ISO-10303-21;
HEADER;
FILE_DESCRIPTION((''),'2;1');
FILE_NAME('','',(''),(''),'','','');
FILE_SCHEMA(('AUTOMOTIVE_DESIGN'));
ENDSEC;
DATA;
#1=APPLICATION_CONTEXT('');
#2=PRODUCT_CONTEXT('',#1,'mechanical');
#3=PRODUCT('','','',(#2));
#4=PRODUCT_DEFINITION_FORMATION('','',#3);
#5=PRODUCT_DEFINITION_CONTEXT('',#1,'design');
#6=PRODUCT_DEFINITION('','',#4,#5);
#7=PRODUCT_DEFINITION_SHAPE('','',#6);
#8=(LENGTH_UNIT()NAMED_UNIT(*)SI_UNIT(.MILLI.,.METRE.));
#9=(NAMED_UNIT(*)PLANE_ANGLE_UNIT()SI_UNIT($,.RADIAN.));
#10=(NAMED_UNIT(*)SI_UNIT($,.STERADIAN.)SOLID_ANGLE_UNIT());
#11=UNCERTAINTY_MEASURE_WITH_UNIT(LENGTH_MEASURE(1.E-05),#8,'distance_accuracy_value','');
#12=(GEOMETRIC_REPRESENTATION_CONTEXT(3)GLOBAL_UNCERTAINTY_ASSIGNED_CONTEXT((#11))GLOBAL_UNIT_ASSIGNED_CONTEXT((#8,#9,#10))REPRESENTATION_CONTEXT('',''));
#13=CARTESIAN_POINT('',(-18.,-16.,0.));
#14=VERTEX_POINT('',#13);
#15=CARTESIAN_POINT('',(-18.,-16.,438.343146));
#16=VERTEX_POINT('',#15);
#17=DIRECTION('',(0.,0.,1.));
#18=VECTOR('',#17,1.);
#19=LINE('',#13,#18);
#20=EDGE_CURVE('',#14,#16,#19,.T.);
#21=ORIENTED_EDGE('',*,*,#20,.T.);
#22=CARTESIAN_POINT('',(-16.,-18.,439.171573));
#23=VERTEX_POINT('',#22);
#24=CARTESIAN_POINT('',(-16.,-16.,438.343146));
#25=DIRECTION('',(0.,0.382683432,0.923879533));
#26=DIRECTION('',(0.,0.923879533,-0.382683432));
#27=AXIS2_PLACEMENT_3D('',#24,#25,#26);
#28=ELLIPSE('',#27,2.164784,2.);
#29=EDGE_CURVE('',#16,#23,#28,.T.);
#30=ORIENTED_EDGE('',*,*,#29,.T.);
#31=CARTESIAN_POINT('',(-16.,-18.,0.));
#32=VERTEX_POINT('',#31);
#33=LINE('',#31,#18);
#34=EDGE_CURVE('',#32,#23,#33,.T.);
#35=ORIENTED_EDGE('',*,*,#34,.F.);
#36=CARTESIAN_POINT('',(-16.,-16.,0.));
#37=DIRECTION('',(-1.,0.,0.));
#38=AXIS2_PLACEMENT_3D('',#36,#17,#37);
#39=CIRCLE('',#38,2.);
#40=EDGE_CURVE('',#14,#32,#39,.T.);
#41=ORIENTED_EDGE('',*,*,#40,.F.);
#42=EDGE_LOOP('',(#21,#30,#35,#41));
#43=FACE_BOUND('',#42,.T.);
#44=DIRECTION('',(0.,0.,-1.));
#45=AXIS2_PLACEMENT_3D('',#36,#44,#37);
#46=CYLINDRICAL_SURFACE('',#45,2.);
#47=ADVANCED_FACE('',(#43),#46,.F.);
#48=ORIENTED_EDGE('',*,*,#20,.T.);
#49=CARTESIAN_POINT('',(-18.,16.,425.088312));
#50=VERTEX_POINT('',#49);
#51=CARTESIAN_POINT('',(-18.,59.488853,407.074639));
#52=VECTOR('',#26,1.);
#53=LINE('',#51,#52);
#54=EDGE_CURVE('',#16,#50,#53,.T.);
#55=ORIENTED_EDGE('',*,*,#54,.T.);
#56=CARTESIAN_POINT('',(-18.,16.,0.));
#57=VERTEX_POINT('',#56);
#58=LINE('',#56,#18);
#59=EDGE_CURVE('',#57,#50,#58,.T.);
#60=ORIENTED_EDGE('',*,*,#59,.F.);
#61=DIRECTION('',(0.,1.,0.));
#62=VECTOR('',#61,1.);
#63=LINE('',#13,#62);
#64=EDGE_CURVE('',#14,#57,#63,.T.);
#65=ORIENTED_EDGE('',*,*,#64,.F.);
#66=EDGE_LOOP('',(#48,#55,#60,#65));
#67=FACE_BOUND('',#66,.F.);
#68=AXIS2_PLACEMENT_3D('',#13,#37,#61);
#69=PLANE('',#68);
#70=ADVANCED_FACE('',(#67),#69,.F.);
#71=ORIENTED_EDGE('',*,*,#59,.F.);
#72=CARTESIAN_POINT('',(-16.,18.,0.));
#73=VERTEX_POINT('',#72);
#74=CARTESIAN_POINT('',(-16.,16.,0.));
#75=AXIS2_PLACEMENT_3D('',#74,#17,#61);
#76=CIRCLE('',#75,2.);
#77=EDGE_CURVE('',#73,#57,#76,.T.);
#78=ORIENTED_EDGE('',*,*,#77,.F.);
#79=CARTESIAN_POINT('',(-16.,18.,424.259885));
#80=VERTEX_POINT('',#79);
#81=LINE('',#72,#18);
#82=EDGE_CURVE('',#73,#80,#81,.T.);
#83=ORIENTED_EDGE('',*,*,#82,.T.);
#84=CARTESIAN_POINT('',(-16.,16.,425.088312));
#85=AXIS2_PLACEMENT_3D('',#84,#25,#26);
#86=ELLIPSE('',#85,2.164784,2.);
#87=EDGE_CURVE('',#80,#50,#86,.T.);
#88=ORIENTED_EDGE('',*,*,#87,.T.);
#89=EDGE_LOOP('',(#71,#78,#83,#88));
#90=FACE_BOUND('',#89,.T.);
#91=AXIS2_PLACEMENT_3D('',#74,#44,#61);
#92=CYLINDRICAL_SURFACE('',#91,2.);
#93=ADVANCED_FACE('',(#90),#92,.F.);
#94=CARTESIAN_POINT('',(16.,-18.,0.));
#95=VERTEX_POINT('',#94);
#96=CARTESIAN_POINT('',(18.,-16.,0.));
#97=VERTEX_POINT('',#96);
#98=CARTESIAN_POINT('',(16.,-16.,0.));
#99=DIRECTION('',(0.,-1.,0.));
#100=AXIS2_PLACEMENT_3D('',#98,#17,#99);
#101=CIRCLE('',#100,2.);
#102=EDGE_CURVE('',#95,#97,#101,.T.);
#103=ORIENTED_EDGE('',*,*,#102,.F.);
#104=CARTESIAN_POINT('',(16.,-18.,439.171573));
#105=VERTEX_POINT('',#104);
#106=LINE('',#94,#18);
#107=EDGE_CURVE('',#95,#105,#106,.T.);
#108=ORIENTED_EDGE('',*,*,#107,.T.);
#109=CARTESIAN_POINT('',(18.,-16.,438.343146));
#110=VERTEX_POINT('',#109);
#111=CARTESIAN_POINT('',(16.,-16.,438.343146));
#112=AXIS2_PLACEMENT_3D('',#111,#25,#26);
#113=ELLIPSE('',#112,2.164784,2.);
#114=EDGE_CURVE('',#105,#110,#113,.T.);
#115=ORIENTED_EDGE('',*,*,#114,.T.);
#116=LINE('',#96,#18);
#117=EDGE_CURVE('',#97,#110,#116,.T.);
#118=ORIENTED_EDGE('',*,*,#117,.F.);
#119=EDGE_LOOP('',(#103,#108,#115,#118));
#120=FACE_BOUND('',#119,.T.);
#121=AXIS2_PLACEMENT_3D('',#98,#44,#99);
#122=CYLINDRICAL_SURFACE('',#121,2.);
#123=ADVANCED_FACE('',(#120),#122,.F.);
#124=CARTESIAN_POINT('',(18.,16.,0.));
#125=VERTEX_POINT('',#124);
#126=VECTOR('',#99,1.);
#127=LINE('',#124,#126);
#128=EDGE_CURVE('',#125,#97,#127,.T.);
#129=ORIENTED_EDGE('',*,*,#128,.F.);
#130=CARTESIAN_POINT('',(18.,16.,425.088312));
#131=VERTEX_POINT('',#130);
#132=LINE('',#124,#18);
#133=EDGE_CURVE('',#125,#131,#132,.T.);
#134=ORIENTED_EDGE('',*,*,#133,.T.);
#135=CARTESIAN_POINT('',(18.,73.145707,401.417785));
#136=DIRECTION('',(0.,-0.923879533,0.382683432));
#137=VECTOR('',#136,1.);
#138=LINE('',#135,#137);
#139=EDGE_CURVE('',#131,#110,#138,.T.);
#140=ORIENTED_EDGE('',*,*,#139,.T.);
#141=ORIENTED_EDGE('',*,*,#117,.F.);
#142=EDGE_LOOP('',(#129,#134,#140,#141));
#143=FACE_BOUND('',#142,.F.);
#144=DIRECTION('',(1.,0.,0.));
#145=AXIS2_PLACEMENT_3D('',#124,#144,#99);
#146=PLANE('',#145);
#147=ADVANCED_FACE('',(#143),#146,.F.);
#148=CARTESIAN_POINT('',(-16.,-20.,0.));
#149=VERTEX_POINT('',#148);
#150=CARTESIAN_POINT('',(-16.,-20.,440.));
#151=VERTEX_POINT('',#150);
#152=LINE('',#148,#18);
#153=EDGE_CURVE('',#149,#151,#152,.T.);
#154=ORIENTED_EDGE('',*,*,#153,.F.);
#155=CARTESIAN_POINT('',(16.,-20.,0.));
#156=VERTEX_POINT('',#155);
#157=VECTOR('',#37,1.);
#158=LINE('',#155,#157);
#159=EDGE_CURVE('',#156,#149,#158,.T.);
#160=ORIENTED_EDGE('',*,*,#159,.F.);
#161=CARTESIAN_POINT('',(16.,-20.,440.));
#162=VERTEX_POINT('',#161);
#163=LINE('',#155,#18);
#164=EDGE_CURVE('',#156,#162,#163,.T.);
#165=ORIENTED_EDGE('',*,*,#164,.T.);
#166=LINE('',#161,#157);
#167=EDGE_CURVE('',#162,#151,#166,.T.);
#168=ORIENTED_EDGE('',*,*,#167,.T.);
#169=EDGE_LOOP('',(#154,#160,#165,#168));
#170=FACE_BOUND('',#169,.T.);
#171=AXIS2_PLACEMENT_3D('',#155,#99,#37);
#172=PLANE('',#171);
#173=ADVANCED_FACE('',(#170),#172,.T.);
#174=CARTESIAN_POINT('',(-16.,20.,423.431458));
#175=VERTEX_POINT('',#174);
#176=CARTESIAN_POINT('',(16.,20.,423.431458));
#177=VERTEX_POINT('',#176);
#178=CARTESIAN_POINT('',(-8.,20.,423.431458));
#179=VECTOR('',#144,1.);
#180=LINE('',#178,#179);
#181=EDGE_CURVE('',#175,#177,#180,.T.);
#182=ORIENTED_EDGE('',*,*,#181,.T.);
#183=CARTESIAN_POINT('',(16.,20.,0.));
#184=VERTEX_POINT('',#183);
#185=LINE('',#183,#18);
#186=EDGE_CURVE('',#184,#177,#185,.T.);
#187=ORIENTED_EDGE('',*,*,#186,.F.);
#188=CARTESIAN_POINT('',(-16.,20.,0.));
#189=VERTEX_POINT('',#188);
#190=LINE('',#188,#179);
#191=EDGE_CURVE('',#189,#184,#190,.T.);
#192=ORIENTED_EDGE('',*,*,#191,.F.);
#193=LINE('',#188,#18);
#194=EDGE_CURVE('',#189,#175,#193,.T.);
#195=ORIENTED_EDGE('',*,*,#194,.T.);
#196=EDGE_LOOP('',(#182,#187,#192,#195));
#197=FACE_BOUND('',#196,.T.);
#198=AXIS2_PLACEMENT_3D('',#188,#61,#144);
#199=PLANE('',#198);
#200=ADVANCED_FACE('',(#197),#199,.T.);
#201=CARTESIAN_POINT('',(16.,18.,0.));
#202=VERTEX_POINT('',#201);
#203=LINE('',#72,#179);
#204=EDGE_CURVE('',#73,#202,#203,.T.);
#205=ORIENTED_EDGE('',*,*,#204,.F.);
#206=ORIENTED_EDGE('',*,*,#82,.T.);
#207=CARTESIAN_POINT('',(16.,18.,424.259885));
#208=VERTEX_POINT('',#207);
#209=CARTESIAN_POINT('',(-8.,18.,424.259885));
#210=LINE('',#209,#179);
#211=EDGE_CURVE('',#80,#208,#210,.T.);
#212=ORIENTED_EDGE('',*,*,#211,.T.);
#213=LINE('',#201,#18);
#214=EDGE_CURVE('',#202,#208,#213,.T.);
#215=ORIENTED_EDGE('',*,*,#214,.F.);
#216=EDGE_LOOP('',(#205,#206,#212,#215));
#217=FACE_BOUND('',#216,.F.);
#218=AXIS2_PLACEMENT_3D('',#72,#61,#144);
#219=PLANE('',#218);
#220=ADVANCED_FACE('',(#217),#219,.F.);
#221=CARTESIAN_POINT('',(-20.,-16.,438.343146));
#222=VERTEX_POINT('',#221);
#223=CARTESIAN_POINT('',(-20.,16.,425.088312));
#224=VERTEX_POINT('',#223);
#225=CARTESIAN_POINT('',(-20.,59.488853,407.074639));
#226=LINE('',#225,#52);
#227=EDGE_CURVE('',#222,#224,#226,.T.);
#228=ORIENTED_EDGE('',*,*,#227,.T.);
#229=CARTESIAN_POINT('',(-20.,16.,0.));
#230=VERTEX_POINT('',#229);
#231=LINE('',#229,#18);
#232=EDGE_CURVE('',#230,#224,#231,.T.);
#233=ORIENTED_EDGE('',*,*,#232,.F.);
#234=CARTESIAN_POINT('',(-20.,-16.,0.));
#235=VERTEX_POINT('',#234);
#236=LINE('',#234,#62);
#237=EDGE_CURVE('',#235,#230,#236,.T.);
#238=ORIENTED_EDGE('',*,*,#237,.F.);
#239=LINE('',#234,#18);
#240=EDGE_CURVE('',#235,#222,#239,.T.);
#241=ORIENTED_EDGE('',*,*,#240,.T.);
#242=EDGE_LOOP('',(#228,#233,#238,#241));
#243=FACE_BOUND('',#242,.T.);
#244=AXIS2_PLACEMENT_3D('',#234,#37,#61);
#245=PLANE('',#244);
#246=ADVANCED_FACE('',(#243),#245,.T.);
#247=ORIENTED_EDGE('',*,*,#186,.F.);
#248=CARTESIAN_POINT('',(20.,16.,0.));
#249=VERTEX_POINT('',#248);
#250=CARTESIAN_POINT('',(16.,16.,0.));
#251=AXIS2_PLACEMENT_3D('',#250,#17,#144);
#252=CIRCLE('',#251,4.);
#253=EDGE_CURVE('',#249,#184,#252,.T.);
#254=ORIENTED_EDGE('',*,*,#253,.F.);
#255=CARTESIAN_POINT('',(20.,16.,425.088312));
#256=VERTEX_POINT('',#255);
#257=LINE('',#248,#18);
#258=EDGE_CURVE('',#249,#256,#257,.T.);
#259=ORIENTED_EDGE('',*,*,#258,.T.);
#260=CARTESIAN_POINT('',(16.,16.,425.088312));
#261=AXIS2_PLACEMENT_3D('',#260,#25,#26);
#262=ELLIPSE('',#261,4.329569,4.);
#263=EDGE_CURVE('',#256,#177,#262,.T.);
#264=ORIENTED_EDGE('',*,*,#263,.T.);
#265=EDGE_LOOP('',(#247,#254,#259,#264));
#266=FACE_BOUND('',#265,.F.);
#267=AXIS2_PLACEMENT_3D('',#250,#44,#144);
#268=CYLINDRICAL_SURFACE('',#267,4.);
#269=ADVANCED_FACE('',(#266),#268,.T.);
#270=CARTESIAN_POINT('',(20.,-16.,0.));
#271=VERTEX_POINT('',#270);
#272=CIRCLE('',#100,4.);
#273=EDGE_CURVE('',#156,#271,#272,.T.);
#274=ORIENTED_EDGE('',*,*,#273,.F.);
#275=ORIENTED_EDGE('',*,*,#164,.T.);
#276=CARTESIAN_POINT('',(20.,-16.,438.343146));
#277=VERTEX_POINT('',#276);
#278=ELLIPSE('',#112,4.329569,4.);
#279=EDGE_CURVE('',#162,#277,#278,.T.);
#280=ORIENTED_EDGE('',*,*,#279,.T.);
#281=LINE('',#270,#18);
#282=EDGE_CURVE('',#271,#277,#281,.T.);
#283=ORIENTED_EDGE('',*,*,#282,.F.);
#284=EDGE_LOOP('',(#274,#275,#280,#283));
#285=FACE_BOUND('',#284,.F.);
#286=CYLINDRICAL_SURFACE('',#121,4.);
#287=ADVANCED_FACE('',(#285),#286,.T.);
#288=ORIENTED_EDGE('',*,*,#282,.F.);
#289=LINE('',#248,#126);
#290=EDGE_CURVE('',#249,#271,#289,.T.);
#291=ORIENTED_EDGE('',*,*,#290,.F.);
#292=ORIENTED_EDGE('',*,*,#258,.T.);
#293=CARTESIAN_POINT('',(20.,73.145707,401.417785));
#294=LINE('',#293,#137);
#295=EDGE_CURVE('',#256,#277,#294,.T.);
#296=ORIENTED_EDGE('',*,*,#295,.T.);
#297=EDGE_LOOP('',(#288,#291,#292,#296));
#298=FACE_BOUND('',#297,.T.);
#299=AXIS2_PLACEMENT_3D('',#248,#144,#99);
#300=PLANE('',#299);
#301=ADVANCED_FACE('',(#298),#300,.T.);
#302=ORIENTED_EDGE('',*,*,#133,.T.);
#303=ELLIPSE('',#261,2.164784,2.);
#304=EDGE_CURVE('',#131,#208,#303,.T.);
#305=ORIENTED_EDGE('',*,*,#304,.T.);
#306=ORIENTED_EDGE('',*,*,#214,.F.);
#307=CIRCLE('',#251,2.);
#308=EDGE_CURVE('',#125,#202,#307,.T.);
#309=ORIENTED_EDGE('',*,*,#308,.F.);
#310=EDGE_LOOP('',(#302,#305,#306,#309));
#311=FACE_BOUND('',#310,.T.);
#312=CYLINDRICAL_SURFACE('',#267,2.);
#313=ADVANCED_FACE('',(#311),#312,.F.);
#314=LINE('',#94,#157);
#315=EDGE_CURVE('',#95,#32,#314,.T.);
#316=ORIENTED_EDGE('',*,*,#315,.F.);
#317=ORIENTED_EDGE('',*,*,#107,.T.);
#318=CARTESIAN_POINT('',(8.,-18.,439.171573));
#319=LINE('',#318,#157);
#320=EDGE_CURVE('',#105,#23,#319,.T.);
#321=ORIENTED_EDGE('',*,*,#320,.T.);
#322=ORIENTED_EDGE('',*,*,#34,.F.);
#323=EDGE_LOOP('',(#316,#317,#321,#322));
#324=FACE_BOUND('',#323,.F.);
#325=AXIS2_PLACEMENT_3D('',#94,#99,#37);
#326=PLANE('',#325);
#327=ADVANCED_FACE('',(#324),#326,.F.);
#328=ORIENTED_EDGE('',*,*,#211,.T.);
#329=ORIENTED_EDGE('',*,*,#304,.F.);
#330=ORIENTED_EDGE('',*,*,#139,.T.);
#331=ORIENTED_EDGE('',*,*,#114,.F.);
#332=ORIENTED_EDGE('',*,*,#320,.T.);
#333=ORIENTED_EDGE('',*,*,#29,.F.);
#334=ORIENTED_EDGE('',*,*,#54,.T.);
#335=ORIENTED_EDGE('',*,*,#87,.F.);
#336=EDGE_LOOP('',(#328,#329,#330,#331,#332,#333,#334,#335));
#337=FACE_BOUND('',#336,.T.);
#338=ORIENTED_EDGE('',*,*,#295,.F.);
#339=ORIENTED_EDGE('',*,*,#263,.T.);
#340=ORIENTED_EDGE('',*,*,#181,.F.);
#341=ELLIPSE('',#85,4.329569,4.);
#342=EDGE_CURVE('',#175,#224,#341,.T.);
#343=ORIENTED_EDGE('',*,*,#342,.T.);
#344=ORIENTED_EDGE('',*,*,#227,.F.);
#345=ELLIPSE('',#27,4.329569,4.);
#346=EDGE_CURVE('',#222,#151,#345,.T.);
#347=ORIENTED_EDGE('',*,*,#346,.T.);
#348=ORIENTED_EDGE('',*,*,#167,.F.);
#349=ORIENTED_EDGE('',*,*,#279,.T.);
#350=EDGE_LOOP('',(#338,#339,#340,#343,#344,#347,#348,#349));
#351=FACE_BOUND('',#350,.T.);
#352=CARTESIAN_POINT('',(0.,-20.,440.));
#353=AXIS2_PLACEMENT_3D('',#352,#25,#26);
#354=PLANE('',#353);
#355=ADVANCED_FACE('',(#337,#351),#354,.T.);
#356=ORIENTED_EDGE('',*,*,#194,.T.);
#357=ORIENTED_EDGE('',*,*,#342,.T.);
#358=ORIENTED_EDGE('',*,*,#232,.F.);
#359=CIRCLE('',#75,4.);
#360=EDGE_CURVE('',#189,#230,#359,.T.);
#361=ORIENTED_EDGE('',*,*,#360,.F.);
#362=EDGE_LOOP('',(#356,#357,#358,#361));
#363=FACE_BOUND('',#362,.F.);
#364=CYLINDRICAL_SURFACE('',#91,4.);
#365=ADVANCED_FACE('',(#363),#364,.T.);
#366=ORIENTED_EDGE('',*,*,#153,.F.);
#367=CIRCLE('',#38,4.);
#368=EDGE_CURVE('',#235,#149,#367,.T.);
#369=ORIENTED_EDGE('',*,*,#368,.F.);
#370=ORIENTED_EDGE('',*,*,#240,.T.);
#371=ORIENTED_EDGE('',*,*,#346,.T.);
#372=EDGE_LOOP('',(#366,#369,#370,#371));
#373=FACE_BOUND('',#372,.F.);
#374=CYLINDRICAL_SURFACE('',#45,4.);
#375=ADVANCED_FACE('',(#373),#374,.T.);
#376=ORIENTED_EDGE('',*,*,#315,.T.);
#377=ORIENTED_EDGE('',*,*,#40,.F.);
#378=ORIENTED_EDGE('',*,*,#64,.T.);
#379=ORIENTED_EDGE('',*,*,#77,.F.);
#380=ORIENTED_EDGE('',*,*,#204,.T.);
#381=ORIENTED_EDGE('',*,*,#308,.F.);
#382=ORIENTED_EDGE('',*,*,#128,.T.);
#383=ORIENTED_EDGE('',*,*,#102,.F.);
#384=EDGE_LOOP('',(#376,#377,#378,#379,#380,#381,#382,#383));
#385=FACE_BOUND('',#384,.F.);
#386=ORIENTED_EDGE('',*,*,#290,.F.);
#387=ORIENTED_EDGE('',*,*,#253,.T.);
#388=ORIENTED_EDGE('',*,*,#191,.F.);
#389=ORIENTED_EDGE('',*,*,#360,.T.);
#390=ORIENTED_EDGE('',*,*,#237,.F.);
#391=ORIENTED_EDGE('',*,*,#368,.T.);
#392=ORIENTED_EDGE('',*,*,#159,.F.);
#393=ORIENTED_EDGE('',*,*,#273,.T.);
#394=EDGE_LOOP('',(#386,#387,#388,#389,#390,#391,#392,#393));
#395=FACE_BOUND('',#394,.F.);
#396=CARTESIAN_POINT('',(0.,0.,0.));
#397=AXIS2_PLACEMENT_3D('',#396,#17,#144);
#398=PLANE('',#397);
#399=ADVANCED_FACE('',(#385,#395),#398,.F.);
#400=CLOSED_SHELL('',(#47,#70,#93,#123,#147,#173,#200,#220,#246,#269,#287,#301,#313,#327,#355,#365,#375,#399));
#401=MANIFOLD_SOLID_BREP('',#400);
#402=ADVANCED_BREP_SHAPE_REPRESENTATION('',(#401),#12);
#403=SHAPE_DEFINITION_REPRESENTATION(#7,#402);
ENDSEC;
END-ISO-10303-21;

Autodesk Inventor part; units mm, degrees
ref_plane "Start Plane" through (0, 0, 0) normal (0, 0, 1) x (1, 0, 0)
ref_plane "End Plane" through (0, 0, 440) normal (0, 0, 1) x (1, 0, 0)
sketch "Sketch" plane through (0, 0, 0) normal (0, 0, 1) x (1, 0, 0)
  line L0 (-20, -16) -> (-20, 16)
  line L1 (-16, 20) -> (16, 20)
  line L2 (20, 16) -> (20, -16)
  line L3 (16, -20) -> (-16, -20)
  arc A0 (-20, -16) -> (-16, -20) centre (-16, -16) ccw
  arc A1 (20, 16) -> (16, 20) centre (16, 16) ccw
  arc A2 (-16, 20) -> (-20, 16) centre (-16, 16) ccw
  arc A3 (16, -20) -> (20, -16) centre (16, -16) ccw
  arc A4 (-16, 18) -> (-18, 16) centre (-16, 16) ccw
  line L4 (-16, 18) -> (16, 18)
  arc A5 (18, 16) -> (16, 18) centre (16, 16) ccw
  line L5 (18, 16) -> (18, -16)
  arc A6 (16, -18) -> (18, -16) centre (16, -16) ccw
  line L6 (16, -18) -> (-16, -18)
  arc A7 (-18, -16) -> (-16, -18) centre (-16, -16) ccw
  line L7 (-18, -16) -> (-18, 16)
  line L8 (0, 29.1598) -> (0, -29.1598) construction
  line L9 (-29.1598, 0) -> (29.1598, 0) construction
  dimension "d7" = 4
  dimension "d9" = 40
  dimension "d11" = 40
  dimension "d12" = 2
  dimension "d15" = 20
  dimension "d16" = 20
extrude "Body" add sketch "Sketch" along normal up to surface (440 mm away) from surface at 0
sketch "Sketch3" plane through (0, 0, 0) normal (0, 0, 1) x (1, 0, 0)
  line L0 (0, 0) -> (10, 0)
ref_plane "Work Plane3" through (0, 0, 0) normal (0, -1, 0) x (1, 0, 0)
ref_plane "Work Plane4" through (0, -20, 440) normal (0, 0.3827, 0.9239) x (1, 0, 0)
split "Split1" plane through (0, -20, 440) removes the side toward (0, 0.3827, 0.9239)
sketch "Sketch4" plane through (0, 0, 0) normal (0, -1, 0) x (1, 0, 0)
  line L0 (-2, 0) -> (12, 0) projected
  line L1 (-2, 440) -> (12, 440) projected
  dimension "d18" = 440
equation "\"d7\" = G_IR"
equation "\"d9\" = G_W"
equation "\"d11\" = G_H"
equation "\"d12\" = G_T"
equation "\"d15\" = 0.5 * d9"
equation "\"d16\" = 0.5 * d11"
equation "\"d3\" = G_L"
equation "\"G_W\" = 40"
equation "\"G_H\" = 40"
equation "\"G_T\" = 2"
equation "\"G_IR\" = 4"
equation "\"G_L\" = d18"
equation "\"G_OFFSET_START\" = 0"
equation "\"G_OFFSET_END\" = 0"
properties part number "ISO 10799-2 - 40x40x2 - 440" material "Stainless Steel"
